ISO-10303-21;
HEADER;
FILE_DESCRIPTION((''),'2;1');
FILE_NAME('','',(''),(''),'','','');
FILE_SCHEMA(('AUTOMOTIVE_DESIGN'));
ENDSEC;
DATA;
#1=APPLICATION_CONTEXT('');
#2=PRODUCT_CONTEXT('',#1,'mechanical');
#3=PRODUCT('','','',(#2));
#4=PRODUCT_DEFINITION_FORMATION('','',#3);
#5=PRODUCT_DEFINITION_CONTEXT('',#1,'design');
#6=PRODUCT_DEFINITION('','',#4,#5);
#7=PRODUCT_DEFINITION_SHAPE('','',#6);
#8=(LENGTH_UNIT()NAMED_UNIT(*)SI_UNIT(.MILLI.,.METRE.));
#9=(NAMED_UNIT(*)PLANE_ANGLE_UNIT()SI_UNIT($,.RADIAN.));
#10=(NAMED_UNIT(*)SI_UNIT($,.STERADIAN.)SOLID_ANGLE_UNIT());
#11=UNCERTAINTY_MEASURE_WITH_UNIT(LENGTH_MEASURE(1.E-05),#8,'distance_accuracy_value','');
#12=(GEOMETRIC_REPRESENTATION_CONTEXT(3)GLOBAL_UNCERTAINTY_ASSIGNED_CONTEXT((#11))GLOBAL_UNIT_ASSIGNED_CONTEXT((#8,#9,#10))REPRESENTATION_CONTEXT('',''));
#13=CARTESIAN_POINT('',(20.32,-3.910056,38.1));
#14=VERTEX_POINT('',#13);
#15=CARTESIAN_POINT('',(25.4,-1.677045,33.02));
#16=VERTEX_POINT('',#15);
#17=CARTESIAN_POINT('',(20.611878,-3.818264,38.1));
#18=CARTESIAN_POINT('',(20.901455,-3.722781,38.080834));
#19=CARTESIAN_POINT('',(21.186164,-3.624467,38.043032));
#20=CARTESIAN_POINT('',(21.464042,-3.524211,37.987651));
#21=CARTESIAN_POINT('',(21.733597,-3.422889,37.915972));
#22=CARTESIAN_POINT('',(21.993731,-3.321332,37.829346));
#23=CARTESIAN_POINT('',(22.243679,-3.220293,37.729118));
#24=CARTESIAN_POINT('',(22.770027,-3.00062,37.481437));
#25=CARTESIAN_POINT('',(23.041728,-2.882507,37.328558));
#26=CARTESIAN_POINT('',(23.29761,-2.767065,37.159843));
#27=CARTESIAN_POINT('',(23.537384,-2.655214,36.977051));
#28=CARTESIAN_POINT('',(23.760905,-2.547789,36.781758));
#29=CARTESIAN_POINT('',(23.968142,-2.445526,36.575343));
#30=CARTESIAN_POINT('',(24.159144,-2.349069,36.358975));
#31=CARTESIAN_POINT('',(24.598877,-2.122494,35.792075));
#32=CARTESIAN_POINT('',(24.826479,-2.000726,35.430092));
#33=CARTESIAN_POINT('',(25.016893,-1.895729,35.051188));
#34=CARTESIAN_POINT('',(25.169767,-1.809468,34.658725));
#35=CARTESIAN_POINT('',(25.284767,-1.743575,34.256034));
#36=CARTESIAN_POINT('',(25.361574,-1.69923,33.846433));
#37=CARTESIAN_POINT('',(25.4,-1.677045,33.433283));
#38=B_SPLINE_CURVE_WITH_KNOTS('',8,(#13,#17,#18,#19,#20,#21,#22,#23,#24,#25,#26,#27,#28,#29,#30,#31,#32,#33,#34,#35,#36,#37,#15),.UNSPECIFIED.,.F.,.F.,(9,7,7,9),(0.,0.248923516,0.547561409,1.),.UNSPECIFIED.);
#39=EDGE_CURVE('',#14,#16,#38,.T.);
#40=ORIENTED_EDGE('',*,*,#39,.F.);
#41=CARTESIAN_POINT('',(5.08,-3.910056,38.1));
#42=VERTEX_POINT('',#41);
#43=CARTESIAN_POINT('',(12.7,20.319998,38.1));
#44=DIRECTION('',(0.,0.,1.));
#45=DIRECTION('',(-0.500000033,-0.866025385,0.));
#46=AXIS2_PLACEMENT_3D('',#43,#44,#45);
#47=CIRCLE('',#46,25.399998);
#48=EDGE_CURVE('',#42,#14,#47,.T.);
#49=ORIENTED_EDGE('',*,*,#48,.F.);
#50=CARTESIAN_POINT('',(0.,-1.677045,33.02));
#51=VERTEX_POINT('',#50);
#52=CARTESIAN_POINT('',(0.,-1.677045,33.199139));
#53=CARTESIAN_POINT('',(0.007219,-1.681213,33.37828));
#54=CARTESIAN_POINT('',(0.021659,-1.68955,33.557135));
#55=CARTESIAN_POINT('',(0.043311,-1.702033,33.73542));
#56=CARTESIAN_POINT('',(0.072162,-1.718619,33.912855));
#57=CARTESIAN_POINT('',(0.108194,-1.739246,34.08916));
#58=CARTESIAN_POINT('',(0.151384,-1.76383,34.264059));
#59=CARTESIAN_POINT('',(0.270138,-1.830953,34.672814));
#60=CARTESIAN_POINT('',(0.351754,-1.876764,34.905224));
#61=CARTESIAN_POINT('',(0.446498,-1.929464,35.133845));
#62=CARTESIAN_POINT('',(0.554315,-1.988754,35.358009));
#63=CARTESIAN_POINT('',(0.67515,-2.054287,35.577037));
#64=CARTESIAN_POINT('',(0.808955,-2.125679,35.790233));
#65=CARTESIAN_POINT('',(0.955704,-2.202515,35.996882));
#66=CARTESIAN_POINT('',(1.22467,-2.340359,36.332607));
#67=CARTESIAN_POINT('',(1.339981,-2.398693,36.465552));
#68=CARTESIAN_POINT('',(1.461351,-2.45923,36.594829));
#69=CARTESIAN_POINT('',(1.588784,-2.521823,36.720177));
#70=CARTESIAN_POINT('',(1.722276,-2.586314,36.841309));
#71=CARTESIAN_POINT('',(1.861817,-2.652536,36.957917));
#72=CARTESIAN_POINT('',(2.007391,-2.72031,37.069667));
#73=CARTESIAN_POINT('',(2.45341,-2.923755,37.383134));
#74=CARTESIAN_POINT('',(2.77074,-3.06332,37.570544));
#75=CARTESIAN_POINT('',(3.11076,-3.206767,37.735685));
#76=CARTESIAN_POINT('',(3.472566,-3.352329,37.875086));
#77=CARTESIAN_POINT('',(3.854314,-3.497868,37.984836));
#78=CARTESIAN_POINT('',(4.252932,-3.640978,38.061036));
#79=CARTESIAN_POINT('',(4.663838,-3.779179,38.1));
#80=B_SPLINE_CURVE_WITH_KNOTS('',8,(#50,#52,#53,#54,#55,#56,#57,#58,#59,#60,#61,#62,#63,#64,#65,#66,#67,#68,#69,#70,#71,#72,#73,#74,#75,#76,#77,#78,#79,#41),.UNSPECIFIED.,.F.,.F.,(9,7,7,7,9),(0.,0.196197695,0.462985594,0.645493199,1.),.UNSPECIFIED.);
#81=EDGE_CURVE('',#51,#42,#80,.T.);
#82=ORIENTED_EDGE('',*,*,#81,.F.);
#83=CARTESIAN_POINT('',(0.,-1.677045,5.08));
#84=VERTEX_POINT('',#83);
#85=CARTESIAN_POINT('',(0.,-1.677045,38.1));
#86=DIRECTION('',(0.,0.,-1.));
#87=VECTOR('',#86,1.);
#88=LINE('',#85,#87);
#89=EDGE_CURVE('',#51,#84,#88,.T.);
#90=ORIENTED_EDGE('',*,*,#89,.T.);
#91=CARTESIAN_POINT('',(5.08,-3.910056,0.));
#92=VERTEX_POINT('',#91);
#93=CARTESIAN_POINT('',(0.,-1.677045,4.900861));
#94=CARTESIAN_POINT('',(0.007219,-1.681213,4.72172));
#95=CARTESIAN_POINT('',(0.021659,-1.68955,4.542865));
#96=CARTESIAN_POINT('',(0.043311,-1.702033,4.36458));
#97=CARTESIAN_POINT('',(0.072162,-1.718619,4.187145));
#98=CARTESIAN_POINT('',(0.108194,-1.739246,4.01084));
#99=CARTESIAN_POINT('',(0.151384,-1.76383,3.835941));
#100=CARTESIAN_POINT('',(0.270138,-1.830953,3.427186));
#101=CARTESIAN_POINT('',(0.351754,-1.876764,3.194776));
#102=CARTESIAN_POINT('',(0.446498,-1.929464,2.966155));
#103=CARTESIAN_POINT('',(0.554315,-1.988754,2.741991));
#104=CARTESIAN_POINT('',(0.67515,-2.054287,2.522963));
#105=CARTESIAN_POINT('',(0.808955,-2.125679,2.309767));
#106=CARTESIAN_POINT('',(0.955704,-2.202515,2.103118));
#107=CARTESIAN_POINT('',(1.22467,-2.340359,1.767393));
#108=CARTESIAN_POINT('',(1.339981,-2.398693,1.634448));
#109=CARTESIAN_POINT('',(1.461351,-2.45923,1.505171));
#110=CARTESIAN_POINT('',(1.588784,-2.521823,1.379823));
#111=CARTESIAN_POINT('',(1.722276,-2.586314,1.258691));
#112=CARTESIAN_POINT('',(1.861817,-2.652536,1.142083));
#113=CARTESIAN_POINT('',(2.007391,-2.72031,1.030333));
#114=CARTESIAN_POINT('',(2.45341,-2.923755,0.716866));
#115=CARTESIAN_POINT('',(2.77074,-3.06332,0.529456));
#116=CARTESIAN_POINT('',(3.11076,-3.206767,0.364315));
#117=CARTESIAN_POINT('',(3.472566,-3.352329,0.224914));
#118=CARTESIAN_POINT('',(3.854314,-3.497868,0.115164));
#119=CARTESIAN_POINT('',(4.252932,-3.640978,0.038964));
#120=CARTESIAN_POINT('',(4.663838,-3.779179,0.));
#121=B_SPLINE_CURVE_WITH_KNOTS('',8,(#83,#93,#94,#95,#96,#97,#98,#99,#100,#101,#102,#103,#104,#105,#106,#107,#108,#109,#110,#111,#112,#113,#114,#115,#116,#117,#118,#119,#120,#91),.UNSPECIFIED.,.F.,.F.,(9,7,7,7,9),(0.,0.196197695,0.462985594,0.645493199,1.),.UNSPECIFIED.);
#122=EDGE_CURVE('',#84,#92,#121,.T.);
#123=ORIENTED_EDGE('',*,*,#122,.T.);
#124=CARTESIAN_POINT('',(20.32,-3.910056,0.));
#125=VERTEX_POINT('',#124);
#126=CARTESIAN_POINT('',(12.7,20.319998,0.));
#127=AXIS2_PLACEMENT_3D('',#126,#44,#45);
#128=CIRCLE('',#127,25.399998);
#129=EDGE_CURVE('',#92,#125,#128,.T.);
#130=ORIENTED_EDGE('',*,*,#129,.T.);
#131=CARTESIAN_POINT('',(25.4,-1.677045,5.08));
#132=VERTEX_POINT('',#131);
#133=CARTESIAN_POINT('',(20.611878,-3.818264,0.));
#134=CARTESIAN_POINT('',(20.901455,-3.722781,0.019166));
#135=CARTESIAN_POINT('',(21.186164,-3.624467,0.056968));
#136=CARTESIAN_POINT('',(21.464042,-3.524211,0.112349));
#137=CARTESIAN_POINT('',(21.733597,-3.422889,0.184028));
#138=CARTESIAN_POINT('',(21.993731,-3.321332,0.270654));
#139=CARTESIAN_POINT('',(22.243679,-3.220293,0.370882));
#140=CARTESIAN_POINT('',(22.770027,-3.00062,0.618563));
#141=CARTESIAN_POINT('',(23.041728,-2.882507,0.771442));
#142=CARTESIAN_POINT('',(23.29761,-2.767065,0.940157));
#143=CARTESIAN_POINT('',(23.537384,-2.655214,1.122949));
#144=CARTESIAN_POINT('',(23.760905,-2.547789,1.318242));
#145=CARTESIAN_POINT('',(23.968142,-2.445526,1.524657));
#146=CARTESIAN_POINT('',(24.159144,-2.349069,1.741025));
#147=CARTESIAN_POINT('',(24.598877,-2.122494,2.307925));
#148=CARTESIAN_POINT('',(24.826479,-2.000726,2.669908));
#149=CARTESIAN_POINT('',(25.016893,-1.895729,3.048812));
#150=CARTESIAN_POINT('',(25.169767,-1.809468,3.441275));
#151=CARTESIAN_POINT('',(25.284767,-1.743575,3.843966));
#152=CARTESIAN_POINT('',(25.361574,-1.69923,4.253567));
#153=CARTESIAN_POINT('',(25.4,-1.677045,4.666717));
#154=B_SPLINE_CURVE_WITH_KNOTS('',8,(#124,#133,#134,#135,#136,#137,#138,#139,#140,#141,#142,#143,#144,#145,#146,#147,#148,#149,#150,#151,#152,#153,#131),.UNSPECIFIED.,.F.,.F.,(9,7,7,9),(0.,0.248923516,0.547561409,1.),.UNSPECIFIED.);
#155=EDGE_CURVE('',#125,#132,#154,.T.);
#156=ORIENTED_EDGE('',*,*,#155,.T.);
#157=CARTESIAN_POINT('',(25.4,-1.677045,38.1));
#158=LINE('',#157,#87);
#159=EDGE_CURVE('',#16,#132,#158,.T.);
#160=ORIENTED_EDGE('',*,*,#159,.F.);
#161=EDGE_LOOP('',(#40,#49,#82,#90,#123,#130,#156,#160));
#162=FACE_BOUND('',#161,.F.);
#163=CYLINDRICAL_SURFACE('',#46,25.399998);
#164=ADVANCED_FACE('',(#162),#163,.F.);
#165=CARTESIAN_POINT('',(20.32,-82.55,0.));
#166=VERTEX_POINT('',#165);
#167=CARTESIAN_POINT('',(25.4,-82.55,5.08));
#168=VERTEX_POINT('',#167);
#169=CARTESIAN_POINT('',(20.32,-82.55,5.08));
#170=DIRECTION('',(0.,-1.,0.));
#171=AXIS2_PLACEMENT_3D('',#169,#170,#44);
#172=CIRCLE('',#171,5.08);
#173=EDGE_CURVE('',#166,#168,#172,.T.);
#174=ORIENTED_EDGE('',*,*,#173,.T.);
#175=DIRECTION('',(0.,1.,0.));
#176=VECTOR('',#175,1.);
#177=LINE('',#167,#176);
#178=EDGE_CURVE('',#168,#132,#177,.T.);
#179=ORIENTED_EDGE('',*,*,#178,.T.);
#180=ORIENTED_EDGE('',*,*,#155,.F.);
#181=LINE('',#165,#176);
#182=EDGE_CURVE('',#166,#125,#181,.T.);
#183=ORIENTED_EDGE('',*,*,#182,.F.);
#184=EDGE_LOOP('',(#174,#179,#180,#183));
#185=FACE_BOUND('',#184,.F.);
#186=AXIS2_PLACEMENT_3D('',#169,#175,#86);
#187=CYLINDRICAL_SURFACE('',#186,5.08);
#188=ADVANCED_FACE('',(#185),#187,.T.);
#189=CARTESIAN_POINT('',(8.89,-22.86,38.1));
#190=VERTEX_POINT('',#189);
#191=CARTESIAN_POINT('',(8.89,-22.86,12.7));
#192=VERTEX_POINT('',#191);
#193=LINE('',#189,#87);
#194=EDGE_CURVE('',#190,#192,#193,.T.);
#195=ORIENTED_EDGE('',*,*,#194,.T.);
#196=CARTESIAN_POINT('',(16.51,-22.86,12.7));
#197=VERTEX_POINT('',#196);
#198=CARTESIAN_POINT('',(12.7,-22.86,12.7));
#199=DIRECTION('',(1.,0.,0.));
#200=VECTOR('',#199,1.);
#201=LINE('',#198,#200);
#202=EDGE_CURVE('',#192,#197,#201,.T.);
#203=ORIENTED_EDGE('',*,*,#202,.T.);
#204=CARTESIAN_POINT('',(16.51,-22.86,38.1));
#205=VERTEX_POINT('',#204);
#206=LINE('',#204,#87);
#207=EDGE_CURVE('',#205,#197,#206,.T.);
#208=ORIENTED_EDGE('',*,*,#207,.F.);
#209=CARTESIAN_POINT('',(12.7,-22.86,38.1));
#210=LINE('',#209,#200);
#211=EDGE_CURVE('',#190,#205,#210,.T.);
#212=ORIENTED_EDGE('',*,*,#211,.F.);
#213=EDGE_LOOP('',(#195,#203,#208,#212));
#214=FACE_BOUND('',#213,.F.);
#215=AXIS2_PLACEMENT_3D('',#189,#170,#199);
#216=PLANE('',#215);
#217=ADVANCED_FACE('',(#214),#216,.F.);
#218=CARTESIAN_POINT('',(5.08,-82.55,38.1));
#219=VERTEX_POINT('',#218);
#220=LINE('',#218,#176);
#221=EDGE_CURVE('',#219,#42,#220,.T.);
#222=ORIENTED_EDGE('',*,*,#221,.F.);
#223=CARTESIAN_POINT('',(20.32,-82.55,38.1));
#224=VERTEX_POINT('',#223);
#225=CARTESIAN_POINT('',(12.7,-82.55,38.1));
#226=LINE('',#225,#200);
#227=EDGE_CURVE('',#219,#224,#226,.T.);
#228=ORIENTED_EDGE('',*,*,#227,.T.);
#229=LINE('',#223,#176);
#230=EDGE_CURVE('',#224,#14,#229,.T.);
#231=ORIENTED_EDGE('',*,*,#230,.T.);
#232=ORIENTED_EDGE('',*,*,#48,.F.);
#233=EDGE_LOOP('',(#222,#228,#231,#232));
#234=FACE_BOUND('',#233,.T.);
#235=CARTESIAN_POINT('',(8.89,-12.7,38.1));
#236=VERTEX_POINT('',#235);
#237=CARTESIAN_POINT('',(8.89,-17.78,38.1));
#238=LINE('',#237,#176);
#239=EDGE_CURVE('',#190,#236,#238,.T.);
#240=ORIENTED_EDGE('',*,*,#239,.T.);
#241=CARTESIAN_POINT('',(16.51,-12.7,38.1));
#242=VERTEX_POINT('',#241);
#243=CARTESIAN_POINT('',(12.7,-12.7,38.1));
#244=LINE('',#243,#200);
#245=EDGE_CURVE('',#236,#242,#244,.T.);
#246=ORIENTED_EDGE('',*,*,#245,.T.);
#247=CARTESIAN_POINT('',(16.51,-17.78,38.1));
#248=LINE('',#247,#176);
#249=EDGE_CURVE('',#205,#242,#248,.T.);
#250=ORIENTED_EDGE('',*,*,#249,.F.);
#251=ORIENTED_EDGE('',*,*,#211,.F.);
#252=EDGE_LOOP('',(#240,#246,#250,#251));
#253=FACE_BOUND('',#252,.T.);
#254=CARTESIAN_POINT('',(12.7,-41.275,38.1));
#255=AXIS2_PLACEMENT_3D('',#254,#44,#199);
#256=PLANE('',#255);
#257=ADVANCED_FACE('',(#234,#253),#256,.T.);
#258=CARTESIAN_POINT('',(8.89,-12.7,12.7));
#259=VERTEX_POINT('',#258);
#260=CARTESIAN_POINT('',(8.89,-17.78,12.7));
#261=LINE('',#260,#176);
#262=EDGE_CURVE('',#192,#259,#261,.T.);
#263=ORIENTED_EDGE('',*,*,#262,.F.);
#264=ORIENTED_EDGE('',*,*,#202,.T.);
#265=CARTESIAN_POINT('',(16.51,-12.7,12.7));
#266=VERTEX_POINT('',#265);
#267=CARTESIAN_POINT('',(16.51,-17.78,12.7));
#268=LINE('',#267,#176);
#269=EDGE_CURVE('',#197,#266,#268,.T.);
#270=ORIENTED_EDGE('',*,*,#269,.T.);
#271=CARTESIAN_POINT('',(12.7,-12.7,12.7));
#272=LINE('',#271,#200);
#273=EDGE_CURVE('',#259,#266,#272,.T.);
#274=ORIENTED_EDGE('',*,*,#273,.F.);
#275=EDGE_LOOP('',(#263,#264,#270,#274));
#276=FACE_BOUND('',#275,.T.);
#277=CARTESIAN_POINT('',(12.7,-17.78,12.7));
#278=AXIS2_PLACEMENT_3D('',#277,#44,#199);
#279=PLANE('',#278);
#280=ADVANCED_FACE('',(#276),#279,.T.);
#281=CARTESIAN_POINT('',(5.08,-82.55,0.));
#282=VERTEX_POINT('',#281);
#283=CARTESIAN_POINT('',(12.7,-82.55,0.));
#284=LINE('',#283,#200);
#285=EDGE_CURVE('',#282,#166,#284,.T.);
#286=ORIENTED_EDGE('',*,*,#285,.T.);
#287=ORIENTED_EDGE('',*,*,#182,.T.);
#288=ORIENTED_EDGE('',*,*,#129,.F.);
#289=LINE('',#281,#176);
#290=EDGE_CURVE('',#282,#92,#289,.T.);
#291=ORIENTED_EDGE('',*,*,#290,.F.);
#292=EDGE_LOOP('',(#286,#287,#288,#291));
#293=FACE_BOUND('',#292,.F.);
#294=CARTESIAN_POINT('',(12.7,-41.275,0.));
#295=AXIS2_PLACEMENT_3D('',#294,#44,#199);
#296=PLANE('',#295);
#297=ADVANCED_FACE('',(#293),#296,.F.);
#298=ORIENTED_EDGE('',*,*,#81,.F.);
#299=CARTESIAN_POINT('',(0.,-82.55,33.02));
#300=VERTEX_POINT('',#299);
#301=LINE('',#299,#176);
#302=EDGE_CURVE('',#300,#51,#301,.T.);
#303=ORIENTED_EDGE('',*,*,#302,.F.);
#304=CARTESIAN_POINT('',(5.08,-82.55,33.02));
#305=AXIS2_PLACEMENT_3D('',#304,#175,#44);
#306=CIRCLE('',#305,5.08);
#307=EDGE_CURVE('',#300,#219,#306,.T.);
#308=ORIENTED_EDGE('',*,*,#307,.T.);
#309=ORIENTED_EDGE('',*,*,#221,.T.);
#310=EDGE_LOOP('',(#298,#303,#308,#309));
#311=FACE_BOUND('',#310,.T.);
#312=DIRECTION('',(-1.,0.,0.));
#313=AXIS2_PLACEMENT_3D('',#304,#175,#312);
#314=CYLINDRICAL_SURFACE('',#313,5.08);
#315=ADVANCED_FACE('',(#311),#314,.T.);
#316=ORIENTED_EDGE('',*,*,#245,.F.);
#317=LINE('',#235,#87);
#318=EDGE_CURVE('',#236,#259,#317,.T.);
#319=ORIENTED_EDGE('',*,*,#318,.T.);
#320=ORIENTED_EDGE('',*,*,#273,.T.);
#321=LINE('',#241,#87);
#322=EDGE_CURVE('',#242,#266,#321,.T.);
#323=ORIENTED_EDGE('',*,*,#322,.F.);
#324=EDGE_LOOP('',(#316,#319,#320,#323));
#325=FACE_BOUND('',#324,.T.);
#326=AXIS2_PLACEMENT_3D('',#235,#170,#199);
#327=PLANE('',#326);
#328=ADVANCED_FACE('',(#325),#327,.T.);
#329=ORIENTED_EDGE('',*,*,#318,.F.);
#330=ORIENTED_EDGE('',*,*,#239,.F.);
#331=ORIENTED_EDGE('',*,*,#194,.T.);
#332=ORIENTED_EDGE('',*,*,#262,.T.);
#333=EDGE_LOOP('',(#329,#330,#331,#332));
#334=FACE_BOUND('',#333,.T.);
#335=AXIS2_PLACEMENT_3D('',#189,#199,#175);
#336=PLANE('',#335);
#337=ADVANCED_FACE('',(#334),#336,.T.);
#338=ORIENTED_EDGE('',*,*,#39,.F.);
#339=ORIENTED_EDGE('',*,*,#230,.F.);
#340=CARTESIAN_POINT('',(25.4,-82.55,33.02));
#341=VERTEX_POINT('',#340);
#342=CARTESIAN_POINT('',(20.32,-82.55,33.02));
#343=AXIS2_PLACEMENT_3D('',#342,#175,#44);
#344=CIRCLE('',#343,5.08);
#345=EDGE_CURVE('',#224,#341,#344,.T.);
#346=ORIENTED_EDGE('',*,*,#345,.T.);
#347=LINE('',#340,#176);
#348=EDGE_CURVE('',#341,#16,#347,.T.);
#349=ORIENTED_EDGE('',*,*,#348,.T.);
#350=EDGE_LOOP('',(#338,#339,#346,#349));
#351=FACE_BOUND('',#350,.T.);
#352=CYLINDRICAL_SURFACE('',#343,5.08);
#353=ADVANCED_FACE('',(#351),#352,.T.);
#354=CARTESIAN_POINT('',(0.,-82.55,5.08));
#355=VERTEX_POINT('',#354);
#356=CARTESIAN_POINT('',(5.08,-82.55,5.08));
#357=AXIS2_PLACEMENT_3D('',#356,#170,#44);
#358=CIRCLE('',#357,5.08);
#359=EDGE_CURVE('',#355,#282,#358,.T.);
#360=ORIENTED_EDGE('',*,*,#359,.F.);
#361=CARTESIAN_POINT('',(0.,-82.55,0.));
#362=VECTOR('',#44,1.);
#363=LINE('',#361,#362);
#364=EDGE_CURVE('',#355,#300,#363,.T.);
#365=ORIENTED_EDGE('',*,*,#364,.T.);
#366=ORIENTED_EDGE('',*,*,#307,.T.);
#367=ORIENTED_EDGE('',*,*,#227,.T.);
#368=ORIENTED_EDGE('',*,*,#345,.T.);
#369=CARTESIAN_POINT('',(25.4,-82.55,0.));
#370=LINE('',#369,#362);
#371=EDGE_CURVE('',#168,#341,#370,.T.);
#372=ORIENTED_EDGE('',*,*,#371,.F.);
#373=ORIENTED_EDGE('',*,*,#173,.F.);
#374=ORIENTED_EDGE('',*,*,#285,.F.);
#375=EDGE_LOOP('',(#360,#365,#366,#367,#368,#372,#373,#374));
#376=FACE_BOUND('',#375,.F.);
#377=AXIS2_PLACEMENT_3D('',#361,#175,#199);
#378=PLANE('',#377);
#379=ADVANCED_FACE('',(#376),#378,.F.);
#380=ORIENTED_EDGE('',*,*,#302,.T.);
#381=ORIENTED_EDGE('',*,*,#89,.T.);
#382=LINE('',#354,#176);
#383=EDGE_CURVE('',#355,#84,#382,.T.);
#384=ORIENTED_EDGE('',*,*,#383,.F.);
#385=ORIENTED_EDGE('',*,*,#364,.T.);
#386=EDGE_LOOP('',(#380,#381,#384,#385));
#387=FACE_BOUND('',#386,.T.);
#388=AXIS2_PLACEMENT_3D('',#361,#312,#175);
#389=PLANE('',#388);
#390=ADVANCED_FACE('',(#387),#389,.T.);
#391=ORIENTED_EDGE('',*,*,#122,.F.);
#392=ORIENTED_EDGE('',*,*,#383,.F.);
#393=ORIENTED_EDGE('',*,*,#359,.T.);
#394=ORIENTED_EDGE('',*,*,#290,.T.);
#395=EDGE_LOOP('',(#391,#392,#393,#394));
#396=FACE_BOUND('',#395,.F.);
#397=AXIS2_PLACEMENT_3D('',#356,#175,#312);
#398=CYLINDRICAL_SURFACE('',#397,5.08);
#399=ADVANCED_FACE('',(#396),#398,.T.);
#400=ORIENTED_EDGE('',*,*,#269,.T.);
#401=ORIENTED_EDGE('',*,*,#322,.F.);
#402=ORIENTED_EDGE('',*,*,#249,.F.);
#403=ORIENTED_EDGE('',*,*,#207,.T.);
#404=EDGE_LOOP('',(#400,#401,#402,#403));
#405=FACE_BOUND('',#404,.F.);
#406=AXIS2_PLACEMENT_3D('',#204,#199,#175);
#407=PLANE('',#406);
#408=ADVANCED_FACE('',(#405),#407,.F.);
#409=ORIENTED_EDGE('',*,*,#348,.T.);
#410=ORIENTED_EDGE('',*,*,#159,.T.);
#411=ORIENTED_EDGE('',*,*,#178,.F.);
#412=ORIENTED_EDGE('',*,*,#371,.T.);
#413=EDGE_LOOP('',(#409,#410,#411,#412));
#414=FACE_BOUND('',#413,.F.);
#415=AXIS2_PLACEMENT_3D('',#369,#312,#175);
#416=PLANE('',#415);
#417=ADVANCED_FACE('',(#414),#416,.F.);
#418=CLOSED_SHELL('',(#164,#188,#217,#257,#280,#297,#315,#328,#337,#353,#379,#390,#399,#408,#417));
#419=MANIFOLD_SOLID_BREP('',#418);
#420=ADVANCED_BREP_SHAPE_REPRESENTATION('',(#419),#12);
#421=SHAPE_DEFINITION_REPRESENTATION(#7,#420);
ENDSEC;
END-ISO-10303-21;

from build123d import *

# Parameters (mm, degrees)
F0_W     = 25.4
F0_H     = 82.55
F1_DEPTH = 38.1
F3_DEPTH = 76.2
F4_W     = 7.62
F4_H     = 10.16
F5_DEPTH = 25.4
F6_R     = 5.08


with BuildPart() as f1:
    # F0 (on Top) → F1 (new body)
    with BuildSketch(Plane.XY):
        with Locations((12.7, -41.275)):
            Rectangle(F0_W, F0_H)
    extrude(amount=F1_DEPTH)

    # F2 (on face) → F3 (cut)
    with BuildSketch(Plane.XY.offset(38.1)):
        with BuildLine():
            ThreePointArc((25.4, -1.677045), (34.697045, 7.62), (38.1, 20.32))
            ThreePointArc((38.1, 20.32), (0, 42.317045), (0, -1.677045))
            Line((0, -1.677045), (0, 0))
            Line((0, 0), (25.4, 0))
            Line((25.4, 0), (25.4, -1.677045))
        make_face()
        with BuildLine():
            Line((0, 0), (0, -1.677045))
            ThreePointArc((0, -1.677045), (12.7, -5.08), (25.4, -1.677045))
            Line((25.4, -1.677045), (25.4, 0))
            Line((25.4, 0), (0, 0))
        make_face()
    extrude(amount=-F3_DEPTH, mode=Mode.SUBTRACT)

    # F4 (on face) → F5 (cut)
    with BuildSketch(Plane.XY.offset(38.1)):
        with Locations((12.7, -17.78)):
            Rectangle(F4_W, F4_H)
    extrude(amount=-F5_DEPTH, mode=Mode.SUBTRACT)

    # F6
    f6_edges = [f1.edges().sort_by_distance(p)[0] for p in [
        (0, -42.113523, 38.1),
        (0, -42.113523, 0),
        (25.4, -42.113523, 38.1),
        (25.4, -42.113523, 0),
    ]]
    fillet(f6_edges, radius=F6_R)


solid = f1.part
